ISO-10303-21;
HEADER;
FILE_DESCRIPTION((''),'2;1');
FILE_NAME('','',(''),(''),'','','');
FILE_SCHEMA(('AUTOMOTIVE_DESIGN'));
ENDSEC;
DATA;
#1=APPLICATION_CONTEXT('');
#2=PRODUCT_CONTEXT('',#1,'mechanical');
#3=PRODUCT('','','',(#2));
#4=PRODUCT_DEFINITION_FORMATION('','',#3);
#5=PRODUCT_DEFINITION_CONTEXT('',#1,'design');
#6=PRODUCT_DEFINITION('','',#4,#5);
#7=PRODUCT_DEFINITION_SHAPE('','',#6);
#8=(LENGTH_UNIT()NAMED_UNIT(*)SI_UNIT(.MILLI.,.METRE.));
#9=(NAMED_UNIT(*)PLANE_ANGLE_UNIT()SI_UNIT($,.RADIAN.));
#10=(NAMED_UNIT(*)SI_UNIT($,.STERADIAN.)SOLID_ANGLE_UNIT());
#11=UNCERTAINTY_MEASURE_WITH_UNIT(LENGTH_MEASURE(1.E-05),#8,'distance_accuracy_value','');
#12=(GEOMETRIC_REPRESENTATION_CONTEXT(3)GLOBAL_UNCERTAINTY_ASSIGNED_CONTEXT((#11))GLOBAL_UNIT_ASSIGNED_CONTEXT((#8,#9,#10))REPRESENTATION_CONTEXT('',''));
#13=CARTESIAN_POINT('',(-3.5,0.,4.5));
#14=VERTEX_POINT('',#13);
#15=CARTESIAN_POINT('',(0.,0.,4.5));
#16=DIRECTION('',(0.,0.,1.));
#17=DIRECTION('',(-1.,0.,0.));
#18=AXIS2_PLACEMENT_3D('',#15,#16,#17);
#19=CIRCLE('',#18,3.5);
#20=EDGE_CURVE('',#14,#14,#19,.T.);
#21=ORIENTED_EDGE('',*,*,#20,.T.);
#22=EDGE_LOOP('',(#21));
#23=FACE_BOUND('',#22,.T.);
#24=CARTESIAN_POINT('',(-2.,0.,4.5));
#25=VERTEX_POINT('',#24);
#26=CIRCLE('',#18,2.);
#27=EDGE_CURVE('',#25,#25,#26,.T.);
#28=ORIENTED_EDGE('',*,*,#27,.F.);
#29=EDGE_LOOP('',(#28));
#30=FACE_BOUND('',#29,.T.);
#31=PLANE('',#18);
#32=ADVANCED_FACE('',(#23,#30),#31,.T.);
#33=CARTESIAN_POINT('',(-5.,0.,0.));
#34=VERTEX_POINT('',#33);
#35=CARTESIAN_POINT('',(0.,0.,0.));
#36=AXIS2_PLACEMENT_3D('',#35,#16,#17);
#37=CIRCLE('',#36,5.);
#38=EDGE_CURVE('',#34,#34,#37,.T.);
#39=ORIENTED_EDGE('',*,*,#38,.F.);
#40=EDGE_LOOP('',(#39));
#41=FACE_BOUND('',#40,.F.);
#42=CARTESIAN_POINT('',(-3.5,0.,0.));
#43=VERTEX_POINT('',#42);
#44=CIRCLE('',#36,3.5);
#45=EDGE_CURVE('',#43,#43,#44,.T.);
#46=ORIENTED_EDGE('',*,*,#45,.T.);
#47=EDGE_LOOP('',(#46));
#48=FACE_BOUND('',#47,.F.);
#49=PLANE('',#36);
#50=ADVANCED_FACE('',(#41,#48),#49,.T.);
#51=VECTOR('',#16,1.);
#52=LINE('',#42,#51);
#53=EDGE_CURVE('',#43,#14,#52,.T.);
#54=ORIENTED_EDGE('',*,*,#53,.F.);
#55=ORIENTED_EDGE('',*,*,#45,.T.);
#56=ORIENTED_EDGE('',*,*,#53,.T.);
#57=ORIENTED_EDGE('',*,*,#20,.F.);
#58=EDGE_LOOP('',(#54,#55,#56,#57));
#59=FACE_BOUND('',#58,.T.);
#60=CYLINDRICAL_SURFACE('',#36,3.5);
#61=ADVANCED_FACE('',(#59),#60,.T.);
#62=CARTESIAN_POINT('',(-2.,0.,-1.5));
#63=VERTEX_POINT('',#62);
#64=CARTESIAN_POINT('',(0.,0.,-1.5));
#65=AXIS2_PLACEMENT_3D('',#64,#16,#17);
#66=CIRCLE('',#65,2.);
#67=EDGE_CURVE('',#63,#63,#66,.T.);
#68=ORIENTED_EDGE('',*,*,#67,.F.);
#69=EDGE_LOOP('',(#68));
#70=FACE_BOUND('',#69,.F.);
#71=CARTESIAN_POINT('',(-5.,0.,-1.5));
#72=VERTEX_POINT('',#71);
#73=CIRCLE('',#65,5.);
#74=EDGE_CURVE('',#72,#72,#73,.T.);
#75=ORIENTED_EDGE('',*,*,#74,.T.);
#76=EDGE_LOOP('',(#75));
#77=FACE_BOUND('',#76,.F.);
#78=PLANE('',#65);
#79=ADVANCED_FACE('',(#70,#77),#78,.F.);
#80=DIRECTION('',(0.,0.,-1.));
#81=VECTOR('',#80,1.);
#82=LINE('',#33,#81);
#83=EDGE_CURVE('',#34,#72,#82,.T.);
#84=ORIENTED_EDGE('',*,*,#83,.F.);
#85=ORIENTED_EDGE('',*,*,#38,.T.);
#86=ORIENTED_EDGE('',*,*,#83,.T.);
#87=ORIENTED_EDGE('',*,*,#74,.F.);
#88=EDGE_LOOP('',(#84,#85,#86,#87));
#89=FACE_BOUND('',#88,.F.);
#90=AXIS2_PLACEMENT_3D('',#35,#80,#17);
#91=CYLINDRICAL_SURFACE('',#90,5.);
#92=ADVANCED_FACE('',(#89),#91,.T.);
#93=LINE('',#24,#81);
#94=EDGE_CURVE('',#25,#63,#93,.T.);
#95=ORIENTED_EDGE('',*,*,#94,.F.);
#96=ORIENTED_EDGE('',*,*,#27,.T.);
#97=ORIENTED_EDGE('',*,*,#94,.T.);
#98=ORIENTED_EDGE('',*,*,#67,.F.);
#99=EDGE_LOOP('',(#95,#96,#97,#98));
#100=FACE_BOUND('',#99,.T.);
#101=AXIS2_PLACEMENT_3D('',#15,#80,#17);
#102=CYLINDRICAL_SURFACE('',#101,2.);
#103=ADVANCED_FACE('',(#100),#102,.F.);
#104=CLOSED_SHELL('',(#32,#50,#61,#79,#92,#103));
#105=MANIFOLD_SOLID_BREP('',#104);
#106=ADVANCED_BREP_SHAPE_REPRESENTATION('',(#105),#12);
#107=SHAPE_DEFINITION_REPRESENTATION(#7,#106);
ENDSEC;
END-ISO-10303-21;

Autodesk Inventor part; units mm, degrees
ref_plane "YZ Plane" through (0, 0, 0) normal (1, 0, 0) x (0, 1, 0)
ref_plane "XZ Plane" through (0, 0, 0) normal (0, 1, 0) x (-1, 0, 0)
ref_plane "XY Plane" through (0, 0, 0) normal (0, 0, 1) x (1, 0, 0)
sketch "Sketch4" plane through (0, 0, 0) normal (0, 1, 0) x (-1, 0, 0)
  line L0 (2, 0) -> (3.5, 0)
  line L1 (3.5, 0) -> (3.5, 4.5)
  line L2 (3.5, 4.5) -> (2, 4.5)
  line L3 (2, 4.5) -> (2, 0)
  line L4 (2, 0) -> (5, 0)
  line L5 (5, 0) -> (5, -1.5)
  line L6 (5, -1.5) -> (2, -1.5)
  line L7 (2, -1.5) -> (2, 0)
  line L8 (0, -1.5) -> (0, 3.9263)
  point P0 (0, 0)
  dimension "d1" = 1.5
  dimension "d2" = 4.5
  dimension "d3" = 3
  dimension "d4" = 1.5
  dimension "d5" = 4
revolve "Revolution1" add sketch "Sketch4" angle 360 about axis through (0, 0, -1.5) along (0, 0, 1)
properties part number "SleeveBearing4mmFlanged" material "Brass, Soft Yellow, Welded"
